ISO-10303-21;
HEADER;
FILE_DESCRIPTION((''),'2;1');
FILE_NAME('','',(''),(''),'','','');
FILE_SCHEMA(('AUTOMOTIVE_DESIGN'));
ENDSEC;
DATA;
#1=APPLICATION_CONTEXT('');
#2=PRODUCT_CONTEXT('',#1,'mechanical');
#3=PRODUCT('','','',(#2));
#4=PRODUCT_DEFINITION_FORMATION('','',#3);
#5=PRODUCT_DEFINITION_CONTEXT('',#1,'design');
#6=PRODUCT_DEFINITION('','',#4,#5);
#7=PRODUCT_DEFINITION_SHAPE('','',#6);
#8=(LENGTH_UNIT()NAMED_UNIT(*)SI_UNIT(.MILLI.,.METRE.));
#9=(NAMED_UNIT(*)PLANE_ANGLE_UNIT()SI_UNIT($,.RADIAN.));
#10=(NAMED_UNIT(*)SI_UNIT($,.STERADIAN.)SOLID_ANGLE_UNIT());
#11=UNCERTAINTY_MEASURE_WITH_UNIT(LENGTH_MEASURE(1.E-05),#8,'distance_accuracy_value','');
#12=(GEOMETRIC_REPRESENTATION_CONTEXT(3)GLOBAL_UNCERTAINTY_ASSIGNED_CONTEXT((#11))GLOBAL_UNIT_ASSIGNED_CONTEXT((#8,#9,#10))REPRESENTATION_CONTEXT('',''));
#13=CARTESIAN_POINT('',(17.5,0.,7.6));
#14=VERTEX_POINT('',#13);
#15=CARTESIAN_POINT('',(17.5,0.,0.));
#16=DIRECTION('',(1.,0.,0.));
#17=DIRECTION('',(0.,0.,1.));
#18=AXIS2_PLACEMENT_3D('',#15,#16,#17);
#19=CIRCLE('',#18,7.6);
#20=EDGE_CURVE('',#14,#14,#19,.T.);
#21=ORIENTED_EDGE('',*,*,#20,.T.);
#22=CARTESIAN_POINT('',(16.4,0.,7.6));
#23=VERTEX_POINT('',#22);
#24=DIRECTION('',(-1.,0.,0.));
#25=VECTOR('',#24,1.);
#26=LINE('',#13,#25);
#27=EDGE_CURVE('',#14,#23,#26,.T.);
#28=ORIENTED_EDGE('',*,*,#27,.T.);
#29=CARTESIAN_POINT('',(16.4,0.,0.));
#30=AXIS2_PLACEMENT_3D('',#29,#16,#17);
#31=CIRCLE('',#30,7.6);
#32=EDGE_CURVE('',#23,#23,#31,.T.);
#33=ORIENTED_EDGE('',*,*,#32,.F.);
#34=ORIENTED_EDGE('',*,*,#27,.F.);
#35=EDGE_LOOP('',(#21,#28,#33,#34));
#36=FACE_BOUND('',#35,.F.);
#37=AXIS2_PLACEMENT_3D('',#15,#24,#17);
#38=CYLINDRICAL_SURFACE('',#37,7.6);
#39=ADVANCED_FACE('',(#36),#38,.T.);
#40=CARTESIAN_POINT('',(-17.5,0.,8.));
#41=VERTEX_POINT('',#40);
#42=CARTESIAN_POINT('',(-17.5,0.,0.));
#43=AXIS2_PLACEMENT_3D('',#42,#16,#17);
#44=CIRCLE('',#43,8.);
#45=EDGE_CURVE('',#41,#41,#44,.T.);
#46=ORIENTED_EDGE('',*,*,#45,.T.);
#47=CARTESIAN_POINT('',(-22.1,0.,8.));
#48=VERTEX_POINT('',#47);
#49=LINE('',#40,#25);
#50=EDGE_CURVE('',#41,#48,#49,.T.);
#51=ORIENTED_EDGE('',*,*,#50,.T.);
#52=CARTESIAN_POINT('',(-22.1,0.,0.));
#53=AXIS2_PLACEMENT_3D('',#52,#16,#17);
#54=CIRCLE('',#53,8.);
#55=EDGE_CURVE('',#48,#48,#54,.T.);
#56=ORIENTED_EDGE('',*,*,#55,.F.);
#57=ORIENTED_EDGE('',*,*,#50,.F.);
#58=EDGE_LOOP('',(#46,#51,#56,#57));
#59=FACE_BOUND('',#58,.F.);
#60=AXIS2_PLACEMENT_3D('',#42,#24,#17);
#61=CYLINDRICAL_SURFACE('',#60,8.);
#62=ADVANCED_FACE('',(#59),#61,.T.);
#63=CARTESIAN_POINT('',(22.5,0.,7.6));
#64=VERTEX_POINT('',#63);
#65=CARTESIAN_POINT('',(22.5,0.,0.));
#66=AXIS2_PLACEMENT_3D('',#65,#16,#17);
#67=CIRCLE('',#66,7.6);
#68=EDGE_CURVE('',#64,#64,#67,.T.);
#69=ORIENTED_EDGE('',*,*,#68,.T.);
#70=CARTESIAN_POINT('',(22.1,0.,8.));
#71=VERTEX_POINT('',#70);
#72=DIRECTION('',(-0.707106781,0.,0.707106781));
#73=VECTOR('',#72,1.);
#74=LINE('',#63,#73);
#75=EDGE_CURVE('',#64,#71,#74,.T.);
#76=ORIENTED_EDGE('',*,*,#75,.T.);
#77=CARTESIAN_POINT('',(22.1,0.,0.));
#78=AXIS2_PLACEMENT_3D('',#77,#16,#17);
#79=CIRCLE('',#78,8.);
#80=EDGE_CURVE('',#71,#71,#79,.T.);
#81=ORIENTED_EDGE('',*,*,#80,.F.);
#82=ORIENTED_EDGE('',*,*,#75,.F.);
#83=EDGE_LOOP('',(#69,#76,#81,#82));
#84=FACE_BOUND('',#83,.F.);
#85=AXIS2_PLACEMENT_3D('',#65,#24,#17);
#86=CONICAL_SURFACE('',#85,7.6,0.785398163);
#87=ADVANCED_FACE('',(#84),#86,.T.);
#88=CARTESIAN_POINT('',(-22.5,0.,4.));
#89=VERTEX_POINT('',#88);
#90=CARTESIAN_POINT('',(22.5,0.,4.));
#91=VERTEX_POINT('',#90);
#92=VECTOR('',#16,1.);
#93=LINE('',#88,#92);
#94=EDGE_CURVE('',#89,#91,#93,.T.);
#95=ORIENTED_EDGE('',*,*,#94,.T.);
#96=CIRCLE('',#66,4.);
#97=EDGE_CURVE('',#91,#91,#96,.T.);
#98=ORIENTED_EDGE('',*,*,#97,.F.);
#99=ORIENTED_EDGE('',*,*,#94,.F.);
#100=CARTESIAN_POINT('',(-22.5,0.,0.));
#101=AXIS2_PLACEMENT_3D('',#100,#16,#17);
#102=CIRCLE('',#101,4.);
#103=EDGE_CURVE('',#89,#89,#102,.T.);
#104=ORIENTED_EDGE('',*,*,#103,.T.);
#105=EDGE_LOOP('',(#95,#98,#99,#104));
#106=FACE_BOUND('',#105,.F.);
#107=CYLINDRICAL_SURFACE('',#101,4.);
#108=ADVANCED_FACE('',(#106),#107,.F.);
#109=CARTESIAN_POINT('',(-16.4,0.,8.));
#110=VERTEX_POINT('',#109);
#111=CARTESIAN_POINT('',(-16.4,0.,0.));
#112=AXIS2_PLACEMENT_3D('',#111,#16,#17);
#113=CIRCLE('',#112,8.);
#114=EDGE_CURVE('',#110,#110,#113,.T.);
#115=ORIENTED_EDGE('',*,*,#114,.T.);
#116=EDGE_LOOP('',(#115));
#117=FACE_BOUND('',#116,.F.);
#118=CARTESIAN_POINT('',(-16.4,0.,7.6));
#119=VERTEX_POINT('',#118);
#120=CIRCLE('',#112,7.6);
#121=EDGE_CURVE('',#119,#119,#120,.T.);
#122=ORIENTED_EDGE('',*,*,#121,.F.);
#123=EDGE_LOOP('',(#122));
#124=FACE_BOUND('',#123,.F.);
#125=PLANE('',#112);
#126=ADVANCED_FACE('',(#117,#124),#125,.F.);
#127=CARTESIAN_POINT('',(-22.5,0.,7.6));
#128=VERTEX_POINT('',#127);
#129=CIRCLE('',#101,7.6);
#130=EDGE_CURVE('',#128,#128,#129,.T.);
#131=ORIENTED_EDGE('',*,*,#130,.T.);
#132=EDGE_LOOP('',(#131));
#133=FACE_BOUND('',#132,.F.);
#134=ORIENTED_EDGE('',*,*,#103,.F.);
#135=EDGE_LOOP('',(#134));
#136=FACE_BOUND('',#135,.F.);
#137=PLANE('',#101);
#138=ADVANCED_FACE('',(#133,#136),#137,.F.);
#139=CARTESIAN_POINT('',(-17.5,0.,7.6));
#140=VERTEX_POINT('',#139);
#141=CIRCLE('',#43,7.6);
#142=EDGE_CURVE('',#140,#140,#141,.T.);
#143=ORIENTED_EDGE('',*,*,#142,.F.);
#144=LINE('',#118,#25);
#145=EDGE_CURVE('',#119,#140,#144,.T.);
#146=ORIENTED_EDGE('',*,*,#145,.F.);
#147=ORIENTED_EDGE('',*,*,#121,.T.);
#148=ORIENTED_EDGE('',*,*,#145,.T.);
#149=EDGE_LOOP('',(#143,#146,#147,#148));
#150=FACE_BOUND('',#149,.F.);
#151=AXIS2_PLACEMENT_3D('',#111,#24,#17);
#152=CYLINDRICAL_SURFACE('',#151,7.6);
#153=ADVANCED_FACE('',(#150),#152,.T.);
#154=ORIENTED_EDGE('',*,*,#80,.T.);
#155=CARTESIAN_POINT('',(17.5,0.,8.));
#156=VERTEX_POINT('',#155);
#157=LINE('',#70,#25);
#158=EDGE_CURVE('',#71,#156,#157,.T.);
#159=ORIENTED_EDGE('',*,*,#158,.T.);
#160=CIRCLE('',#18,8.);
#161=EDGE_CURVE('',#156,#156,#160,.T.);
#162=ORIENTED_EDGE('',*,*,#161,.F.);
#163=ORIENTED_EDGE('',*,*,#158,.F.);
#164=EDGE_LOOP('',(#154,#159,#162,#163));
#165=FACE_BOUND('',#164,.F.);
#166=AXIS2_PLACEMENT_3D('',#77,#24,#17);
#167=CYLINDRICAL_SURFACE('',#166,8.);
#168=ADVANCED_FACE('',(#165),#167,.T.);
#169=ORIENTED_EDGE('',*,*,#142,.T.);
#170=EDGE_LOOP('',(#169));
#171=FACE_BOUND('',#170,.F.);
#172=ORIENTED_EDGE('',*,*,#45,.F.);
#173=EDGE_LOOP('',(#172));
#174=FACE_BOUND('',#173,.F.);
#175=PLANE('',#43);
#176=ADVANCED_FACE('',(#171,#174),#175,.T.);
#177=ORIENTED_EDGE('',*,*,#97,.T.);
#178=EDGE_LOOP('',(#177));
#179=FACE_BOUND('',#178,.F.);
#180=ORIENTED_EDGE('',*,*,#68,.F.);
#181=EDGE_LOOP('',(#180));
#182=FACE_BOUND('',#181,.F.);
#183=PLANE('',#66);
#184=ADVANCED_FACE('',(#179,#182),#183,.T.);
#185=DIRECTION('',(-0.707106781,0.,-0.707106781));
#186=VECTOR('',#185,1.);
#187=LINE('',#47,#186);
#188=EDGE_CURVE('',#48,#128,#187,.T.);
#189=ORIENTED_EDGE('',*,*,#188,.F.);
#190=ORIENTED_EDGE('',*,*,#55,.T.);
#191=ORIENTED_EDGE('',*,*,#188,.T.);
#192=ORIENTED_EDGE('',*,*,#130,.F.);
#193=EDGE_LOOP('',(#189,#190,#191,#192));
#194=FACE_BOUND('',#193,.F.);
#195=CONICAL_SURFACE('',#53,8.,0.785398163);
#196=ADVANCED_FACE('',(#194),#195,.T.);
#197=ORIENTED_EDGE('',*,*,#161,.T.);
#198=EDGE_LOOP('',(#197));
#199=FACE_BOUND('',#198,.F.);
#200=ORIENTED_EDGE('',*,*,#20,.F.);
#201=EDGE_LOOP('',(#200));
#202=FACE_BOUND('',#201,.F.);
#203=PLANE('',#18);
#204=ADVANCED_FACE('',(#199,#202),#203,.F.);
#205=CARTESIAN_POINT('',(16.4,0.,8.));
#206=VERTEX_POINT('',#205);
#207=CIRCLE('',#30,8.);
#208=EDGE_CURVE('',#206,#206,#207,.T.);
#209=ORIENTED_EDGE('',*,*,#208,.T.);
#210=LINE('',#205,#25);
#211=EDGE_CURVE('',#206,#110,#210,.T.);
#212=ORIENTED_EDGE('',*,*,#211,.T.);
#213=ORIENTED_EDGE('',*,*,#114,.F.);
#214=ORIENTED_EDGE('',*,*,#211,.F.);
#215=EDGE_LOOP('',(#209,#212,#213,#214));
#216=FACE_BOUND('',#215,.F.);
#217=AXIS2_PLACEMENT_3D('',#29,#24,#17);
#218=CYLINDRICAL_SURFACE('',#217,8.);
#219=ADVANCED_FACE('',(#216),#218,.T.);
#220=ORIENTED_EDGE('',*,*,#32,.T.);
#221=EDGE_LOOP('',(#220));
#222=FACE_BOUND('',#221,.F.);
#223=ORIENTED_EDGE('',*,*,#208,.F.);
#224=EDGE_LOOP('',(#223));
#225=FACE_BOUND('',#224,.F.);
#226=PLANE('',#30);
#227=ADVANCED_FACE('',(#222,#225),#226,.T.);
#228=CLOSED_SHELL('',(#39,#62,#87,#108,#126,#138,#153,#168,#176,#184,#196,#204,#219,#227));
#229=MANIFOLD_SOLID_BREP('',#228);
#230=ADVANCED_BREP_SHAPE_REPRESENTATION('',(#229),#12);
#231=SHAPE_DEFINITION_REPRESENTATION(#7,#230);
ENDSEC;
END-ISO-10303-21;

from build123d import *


with BuildPart() as f1:
    # F0 (on Front) → F1 (revolve)
    with BuildSketch(Plane.XZ):
        Polygon((16.4, 8), (0, 8), (-16.4, 8), (-16.4, 7.6), (-17.5, 7.6), (-17.5, 8), (-22.1, 8), (-22.5, 7.6), (-22.5, 4), (0, 4), (22.5, 4), (22.5, 7.6), (22.1, 8), (17.5, 8), (17.5, 7.6), (16.4, 7.6), align=None)
    revolve(axis=Axis((5.405286, 0, 0), (1, 0, 0)))


solid = f1.part
